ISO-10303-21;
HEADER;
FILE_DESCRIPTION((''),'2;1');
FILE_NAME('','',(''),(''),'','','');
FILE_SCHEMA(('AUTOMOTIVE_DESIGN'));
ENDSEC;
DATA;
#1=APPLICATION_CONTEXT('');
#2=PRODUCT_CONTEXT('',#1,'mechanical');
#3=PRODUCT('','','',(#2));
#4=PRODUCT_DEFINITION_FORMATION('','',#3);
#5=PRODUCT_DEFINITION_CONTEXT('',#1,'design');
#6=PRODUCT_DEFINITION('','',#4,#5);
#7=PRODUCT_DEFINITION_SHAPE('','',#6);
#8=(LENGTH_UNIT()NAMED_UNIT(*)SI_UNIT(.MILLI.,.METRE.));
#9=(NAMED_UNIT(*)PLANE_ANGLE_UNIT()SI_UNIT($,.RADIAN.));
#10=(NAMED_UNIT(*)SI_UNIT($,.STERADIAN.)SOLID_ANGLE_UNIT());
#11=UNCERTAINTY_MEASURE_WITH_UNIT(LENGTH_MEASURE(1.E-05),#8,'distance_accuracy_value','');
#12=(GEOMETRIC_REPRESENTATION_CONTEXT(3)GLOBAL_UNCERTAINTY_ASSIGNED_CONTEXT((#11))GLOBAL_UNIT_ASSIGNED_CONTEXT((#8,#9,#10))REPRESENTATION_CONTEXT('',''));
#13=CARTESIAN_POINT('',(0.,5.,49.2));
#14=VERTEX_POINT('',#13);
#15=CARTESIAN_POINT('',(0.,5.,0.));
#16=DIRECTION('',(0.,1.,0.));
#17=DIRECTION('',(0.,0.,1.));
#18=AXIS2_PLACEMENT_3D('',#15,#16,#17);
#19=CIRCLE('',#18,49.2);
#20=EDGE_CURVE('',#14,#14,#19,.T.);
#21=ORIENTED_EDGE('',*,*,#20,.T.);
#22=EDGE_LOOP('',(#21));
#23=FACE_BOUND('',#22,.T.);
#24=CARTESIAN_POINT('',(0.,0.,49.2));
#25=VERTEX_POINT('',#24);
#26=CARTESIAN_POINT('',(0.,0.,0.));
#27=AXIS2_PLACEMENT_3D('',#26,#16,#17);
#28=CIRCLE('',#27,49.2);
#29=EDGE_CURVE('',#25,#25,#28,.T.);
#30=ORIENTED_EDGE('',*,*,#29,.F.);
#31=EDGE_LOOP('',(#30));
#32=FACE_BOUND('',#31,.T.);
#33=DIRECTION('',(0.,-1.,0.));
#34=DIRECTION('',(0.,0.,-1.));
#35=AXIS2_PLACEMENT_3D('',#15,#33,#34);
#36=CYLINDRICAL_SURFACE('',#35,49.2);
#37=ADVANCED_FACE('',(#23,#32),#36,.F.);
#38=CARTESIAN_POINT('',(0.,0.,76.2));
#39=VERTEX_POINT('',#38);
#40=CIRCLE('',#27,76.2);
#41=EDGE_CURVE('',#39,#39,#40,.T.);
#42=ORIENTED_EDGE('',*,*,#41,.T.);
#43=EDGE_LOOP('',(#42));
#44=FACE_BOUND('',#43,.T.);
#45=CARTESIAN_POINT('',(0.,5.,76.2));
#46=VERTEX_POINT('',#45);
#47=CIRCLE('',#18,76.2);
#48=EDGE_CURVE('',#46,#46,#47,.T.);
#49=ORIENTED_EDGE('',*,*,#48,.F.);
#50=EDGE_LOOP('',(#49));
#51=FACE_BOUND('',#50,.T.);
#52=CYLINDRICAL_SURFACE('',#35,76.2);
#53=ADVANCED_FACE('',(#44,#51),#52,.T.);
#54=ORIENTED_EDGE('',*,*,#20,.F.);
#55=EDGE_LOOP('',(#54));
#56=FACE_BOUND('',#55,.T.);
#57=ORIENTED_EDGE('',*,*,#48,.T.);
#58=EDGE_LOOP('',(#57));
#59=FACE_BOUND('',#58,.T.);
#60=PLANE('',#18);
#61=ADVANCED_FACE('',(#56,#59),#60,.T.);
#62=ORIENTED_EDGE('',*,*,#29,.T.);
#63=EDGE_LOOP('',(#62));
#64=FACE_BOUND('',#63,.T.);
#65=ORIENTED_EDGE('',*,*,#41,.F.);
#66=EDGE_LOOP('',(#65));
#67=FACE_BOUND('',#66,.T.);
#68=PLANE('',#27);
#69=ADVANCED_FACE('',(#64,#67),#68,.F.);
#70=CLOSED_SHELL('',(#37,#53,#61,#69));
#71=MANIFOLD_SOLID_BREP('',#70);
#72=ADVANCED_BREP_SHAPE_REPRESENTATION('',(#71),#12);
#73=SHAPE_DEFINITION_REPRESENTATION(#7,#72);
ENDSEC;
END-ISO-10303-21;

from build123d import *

# Parameters (mm, degrees)
SKETCH1_R           = 76.2
SKETCH1_R_2         = 49.2
BOSS_EXTRUDE1_DEPTH = 5


with BuildPart() as part:
    # Sketch1 → Boss-Extrude1 (new body)
    with BuildSketch(Plane(origin=(0, 0, 0), x_dir=(1, 0, 0), z_dir=(0, 1, 0))):
        with Locations(Location((0, 0, 0), (0, 0, 270))):
            Circle(SKETCH1_R)
        with Locations(Location((0, 0, 0), (0, 0, 270))):
            Circle(SKETCH1_R_2, mode=Mode.SUBTRACT)
    extrude(amount=BOSS_EXTRUDE1_DEPTH)


solid = part.part
